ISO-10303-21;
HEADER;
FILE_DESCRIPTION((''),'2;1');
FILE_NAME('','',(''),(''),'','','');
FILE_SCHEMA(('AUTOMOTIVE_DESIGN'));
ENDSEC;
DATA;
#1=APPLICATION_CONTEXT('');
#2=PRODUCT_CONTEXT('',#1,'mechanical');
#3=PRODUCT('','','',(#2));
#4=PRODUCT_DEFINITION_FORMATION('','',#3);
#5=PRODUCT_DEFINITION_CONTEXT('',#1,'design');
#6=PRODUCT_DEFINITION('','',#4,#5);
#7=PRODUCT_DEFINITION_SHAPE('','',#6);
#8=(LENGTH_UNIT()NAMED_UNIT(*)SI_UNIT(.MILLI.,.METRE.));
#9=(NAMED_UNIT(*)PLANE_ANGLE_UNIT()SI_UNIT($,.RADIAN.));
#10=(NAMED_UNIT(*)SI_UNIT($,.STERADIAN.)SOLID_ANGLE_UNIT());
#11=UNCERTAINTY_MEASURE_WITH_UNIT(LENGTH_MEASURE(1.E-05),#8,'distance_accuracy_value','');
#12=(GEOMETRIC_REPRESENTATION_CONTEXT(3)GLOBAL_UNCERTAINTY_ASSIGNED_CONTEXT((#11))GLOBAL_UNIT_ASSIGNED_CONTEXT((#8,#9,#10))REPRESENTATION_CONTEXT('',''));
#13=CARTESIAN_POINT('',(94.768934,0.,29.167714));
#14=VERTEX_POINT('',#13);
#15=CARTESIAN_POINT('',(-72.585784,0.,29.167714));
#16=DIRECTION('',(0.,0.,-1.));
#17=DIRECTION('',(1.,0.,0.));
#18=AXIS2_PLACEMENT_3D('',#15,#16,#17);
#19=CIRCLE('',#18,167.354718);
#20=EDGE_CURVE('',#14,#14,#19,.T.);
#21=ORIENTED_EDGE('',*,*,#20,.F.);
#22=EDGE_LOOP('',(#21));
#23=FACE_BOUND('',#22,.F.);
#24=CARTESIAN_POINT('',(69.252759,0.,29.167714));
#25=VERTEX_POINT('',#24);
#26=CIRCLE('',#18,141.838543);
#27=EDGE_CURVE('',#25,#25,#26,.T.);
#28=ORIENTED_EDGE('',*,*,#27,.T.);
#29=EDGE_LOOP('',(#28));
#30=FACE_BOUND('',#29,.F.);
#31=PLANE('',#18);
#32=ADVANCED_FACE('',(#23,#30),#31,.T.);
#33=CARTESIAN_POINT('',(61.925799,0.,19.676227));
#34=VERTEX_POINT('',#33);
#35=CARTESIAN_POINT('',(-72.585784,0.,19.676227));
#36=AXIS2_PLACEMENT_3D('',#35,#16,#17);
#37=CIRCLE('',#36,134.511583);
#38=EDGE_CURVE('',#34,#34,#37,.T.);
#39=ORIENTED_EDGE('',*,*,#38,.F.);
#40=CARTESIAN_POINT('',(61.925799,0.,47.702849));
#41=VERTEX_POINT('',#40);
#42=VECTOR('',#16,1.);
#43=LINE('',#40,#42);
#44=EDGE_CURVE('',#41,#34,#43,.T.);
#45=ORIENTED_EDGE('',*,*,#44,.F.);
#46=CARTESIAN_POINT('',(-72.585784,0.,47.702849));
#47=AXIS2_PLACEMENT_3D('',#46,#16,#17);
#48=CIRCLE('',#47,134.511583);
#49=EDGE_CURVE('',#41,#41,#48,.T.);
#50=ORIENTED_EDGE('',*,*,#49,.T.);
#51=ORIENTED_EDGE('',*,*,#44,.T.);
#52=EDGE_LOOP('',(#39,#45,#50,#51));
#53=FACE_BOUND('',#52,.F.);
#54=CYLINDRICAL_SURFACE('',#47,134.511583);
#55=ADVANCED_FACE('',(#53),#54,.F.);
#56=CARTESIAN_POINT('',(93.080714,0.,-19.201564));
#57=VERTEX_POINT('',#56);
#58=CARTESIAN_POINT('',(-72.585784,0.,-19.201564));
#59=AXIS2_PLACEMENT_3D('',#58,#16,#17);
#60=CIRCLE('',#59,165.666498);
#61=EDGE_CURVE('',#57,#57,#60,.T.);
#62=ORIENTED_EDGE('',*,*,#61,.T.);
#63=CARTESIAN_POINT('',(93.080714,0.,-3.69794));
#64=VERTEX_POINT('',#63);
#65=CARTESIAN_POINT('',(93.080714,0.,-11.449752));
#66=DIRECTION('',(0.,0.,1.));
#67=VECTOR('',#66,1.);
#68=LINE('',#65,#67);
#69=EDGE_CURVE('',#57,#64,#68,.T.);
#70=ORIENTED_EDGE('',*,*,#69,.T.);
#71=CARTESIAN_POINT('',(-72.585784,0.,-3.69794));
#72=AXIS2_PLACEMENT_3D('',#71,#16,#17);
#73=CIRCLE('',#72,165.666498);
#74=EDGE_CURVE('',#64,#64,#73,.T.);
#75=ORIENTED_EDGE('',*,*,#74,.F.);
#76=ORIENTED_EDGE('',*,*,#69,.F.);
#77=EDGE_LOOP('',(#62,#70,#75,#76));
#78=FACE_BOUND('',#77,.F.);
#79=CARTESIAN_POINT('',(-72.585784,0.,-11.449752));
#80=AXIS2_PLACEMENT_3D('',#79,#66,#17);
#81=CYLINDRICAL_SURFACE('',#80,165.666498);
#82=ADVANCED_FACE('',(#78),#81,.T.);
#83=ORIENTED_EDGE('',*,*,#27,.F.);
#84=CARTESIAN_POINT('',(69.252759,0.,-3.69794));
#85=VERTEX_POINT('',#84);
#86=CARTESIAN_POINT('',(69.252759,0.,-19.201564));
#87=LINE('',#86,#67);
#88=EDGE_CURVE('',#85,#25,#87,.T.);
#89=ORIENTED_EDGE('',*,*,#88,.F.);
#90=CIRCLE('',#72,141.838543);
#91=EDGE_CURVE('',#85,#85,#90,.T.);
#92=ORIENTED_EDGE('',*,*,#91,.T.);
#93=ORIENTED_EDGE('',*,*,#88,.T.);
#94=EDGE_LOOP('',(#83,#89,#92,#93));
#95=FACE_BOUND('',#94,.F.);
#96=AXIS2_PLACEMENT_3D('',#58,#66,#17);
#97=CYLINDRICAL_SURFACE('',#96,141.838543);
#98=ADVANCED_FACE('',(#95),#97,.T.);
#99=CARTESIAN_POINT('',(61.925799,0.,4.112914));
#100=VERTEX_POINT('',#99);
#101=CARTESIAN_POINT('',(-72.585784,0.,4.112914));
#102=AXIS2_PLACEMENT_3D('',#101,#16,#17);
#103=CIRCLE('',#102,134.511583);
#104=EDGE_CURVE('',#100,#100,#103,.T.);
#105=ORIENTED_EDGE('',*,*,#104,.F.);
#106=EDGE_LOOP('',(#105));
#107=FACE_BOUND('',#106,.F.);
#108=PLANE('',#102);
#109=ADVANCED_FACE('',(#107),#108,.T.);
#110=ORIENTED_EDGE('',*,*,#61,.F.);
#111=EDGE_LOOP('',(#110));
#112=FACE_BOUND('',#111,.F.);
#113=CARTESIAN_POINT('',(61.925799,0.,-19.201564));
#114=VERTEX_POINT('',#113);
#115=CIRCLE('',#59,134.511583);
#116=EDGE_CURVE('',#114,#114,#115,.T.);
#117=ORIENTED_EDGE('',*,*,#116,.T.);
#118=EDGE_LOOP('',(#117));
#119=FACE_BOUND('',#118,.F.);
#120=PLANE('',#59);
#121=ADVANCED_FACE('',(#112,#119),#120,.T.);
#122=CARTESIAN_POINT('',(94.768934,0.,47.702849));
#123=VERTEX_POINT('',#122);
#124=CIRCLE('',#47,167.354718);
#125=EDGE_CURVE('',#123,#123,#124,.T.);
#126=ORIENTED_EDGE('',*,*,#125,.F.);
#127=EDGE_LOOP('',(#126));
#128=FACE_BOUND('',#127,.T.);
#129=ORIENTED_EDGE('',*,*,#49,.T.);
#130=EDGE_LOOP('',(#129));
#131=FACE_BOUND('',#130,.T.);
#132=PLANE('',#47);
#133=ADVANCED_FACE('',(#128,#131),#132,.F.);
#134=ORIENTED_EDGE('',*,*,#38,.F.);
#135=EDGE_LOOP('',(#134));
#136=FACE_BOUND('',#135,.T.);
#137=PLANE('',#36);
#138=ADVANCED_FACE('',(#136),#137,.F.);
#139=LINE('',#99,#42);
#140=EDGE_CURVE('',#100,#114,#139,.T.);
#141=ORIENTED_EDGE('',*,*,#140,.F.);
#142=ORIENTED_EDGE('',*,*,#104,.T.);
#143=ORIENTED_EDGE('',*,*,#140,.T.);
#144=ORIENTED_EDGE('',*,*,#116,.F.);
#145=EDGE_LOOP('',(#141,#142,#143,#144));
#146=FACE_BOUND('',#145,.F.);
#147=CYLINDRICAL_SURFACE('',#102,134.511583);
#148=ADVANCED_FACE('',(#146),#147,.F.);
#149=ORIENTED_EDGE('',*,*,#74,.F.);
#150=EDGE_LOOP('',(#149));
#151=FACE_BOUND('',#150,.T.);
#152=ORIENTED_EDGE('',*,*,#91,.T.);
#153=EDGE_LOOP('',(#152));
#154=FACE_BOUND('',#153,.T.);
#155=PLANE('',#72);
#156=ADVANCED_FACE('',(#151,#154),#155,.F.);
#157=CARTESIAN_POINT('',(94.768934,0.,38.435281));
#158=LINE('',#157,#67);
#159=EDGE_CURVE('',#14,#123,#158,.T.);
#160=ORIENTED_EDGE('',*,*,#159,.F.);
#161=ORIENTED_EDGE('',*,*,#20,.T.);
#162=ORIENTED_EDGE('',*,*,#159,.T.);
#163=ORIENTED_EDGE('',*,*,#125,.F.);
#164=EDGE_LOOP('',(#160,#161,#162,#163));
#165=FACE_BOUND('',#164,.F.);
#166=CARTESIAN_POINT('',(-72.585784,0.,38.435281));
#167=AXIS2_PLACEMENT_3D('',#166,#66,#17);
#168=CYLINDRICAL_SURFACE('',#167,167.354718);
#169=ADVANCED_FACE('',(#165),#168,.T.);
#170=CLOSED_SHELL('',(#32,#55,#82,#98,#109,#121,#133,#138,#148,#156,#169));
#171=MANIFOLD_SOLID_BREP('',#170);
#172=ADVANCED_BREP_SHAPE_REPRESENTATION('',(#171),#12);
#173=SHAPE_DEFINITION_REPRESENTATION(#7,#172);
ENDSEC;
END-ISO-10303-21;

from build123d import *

# Parameters (mm, degrees)
F0_W   = 134.5115825534
F0_H   = 15.5633129179
F0_W_2 = 25.5161747336
F0_H_2 = 18.5351353139
F0_W_3 = 23.8279551268
F0_H_3 = 15.50362329


with BuildPart() as f1:
    # F0 (on Front) → F1 (revolve)
    with BuildSketch(Plane.XZ):
        with Locations((-5.3299926221, 11.8945706636)):
            Rectangle(F0_W, F0_H)
        Polygon((69.2527592182, 29.1677135974), (69.2527592182, 47.7028489113), (61.9257986546, 47.7028489113), (61.9257986546, 19.6762271225), (61.9257986546, 4.1129142046), (61.9257986546, -19.2015636712), (69.2527592182, -19.2015636712), (69.2527592182, -3.6979403812), align=None)
        with Locations((82.010846585, 38.4352812544)):
            Rectangle(F0_W_2, F0_H_2)
        with Locations((81.1667367816, -11.4497520262)):
            Rectangle(F0_W_3, F0_H_3)
    revolve(axis=Axis((-72.5857838988, 0, 11.8945706636), (0, 0, -1)))


solid = f1.part
